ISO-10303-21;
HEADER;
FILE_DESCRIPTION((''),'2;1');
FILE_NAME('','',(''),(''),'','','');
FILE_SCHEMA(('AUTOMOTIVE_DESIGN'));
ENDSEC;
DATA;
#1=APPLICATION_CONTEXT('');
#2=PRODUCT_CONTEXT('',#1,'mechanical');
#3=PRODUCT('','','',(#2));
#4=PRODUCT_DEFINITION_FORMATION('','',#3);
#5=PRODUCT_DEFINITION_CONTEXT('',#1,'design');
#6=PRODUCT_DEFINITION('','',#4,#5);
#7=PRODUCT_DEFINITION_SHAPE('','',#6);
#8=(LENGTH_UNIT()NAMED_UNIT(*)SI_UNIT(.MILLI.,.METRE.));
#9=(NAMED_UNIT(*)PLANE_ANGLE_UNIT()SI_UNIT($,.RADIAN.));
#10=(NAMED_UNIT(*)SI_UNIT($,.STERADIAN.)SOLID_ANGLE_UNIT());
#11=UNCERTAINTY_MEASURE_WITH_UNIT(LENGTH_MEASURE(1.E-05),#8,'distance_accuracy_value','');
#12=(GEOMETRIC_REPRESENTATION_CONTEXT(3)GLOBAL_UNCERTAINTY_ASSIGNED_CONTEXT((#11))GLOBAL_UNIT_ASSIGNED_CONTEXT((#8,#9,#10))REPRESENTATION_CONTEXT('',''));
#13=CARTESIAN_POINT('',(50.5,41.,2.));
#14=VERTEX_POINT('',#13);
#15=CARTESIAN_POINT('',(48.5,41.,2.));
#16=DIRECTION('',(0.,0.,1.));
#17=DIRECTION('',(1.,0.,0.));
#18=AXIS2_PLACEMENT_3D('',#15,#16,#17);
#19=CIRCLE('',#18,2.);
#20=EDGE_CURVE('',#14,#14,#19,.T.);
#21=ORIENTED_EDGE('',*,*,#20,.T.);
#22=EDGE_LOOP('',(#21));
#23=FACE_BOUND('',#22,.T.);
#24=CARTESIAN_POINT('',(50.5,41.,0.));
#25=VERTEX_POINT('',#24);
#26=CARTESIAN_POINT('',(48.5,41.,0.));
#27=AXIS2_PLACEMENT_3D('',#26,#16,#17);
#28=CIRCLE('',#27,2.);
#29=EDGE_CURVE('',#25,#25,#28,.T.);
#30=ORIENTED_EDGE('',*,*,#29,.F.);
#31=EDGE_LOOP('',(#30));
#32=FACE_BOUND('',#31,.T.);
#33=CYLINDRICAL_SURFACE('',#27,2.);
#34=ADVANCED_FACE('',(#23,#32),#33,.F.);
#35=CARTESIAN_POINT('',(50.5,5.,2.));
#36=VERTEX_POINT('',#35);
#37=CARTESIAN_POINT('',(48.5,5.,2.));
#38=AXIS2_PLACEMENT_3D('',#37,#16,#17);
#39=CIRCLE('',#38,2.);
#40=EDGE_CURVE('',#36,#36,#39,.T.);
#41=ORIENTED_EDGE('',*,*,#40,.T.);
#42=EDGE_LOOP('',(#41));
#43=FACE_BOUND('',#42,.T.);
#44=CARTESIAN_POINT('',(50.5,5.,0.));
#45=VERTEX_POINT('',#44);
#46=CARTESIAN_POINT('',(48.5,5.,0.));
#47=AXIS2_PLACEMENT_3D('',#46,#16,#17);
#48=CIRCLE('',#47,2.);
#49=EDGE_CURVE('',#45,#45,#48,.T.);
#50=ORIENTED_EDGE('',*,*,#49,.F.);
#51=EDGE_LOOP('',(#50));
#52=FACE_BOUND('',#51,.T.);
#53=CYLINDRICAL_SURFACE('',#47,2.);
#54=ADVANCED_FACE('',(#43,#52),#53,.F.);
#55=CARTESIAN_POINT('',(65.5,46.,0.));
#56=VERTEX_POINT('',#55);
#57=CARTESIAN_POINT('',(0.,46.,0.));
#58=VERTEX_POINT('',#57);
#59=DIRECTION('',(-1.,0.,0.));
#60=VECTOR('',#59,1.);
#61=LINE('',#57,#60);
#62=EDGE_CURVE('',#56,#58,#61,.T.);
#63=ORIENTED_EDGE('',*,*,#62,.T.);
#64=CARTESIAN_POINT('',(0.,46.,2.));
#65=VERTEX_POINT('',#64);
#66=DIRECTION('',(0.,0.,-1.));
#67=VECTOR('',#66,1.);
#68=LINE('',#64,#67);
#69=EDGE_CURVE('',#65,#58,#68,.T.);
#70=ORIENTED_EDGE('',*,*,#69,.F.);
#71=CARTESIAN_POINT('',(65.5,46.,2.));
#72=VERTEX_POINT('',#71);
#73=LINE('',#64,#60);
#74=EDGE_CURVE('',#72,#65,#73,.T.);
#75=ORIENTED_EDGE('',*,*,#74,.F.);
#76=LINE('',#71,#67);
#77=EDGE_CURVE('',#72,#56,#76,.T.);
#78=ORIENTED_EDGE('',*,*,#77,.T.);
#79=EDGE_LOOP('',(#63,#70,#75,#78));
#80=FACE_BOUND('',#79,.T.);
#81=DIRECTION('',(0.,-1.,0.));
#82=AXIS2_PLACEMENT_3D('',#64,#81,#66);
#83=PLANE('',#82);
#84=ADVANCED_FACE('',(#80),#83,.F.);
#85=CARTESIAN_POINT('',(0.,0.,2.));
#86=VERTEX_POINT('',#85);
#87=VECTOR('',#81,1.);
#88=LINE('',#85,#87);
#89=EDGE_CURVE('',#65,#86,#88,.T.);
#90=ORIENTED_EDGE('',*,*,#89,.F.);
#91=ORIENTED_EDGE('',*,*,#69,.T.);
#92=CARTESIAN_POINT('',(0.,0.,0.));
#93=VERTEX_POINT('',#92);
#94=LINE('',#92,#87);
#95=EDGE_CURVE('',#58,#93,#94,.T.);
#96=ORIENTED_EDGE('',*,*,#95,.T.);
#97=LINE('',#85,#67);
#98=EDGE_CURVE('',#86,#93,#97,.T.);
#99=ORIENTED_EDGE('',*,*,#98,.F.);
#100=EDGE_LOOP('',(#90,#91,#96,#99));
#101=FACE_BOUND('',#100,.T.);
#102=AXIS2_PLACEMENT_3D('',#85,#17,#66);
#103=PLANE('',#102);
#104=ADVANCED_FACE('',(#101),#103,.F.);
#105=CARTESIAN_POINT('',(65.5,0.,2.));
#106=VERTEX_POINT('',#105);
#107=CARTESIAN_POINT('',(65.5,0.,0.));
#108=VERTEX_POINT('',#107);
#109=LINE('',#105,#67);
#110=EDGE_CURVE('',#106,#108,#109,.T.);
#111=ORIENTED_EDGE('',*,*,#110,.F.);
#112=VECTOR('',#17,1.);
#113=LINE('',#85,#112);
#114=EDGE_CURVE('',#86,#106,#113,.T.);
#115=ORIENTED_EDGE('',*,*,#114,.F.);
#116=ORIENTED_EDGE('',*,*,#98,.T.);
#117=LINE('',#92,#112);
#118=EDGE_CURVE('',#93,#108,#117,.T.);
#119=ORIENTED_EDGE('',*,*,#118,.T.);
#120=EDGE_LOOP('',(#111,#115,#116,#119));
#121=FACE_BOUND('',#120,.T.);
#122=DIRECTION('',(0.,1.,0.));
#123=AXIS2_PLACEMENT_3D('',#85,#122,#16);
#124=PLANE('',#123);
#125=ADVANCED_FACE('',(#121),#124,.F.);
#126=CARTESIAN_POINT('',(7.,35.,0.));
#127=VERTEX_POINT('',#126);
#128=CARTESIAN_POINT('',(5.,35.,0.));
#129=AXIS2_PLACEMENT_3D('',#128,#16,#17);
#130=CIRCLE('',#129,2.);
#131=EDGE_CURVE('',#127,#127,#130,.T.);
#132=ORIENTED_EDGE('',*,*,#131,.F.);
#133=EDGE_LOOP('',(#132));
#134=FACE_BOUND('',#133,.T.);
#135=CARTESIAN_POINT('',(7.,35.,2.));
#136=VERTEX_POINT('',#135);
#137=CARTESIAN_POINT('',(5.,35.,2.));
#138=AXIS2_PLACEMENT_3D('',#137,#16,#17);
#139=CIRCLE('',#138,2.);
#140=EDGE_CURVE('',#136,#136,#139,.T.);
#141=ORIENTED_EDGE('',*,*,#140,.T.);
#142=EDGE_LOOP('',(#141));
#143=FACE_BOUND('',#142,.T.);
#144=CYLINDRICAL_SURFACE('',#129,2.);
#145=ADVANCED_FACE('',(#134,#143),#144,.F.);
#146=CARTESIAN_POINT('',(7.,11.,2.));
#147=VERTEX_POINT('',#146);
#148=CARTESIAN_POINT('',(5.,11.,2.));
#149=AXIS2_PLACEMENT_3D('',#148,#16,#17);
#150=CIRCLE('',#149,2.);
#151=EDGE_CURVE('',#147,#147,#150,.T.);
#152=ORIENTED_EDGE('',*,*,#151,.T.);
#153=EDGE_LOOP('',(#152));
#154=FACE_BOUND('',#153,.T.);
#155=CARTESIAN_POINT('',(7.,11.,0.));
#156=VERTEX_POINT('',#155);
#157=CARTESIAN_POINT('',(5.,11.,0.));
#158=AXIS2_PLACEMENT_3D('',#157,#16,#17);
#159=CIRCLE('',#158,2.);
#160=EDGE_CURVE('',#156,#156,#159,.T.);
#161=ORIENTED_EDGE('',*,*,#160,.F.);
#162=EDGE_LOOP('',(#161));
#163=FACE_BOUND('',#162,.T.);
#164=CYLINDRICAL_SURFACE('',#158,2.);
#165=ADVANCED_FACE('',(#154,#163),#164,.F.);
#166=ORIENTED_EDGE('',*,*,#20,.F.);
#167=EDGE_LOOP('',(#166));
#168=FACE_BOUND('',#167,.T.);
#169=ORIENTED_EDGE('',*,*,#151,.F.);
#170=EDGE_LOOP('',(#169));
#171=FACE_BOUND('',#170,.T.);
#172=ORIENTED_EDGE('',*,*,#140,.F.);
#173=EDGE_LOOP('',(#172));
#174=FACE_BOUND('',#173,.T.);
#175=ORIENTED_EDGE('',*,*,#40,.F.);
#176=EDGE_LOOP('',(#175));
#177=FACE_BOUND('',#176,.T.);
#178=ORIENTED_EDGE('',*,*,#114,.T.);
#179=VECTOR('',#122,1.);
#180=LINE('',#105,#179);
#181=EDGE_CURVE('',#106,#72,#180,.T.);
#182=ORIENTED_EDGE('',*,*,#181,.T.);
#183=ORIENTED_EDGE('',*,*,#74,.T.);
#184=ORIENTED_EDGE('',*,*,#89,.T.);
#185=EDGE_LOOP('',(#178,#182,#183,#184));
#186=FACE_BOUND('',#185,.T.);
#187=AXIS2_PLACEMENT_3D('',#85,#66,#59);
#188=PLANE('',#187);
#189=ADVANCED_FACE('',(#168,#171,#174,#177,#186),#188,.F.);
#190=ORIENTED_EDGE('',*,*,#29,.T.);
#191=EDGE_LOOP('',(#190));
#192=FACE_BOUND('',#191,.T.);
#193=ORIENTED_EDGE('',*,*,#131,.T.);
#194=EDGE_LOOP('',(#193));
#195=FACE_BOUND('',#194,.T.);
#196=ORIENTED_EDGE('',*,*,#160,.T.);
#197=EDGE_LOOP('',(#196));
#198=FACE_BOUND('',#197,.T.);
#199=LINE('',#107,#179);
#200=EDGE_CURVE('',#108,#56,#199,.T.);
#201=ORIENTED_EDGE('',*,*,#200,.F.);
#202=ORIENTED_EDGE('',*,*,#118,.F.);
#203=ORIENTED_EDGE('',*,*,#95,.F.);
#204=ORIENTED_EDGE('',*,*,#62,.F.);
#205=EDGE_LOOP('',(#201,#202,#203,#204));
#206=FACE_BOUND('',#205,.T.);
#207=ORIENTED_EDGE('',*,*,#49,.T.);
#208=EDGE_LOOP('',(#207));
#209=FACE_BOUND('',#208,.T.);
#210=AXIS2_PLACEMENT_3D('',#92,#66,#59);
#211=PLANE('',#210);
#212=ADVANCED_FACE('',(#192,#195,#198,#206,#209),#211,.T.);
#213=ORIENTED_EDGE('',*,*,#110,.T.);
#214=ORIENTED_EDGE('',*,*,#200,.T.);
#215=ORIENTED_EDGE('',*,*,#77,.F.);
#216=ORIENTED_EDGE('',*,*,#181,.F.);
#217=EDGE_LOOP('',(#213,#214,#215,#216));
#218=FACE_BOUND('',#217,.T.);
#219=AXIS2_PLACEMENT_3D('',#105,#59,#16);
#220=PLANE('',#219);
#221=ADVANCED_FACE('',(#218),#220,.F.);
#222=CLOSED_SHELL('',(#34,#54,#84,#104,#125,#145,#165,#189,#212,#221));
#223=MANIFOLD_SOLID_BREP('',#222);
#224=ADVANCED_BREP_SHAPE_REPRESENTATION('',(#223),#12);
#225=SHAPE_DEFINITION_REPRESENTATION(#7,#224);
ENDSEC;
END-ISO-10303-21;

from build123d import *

# Parameters (mm, degrees)
ESQUISSE1_W             = 65.5
ESQUISSE1_H             = 46
BOSS_EXTRU_1_DEPTH      = 2
ESQUISSE2_R             = 2
ENL_V_MAT_EXTRU_1_DEPTH = 3


with BuildPart() as part:
    # Esquisse1 → Boss.-Extru.1 (new body)
    with BuildSketch(Plane.XY):
        with Locations((32.75, 23)):
            Rectangle(ESQUISSE1_W, ESQUISSE1_H)
    extrude(amount=BOSS_EXTRU_1_DEPTH)

    # Esquisse2 → Enlèv. mat.-Extru.1 (cut, through all)
    with BuildSketch(Plane.XY.offset(2)):
        with Locations((5, 11)):
            Circle(ESQUISSE2_R)
        with Locations((5, 35)):
            Circle(ESQUISSE2_R)
        with Locations((48.5, 41)):
            Circle(ESQUISSE2_R)
        with Locations((48.5, 5)):
            Circle(ESQUISSE2_R)
    extrude(amount=-ENL_V_MAT_EXTRU_1_DEPTH, mode=Mode.SUBTRACT)


solid = part.part
